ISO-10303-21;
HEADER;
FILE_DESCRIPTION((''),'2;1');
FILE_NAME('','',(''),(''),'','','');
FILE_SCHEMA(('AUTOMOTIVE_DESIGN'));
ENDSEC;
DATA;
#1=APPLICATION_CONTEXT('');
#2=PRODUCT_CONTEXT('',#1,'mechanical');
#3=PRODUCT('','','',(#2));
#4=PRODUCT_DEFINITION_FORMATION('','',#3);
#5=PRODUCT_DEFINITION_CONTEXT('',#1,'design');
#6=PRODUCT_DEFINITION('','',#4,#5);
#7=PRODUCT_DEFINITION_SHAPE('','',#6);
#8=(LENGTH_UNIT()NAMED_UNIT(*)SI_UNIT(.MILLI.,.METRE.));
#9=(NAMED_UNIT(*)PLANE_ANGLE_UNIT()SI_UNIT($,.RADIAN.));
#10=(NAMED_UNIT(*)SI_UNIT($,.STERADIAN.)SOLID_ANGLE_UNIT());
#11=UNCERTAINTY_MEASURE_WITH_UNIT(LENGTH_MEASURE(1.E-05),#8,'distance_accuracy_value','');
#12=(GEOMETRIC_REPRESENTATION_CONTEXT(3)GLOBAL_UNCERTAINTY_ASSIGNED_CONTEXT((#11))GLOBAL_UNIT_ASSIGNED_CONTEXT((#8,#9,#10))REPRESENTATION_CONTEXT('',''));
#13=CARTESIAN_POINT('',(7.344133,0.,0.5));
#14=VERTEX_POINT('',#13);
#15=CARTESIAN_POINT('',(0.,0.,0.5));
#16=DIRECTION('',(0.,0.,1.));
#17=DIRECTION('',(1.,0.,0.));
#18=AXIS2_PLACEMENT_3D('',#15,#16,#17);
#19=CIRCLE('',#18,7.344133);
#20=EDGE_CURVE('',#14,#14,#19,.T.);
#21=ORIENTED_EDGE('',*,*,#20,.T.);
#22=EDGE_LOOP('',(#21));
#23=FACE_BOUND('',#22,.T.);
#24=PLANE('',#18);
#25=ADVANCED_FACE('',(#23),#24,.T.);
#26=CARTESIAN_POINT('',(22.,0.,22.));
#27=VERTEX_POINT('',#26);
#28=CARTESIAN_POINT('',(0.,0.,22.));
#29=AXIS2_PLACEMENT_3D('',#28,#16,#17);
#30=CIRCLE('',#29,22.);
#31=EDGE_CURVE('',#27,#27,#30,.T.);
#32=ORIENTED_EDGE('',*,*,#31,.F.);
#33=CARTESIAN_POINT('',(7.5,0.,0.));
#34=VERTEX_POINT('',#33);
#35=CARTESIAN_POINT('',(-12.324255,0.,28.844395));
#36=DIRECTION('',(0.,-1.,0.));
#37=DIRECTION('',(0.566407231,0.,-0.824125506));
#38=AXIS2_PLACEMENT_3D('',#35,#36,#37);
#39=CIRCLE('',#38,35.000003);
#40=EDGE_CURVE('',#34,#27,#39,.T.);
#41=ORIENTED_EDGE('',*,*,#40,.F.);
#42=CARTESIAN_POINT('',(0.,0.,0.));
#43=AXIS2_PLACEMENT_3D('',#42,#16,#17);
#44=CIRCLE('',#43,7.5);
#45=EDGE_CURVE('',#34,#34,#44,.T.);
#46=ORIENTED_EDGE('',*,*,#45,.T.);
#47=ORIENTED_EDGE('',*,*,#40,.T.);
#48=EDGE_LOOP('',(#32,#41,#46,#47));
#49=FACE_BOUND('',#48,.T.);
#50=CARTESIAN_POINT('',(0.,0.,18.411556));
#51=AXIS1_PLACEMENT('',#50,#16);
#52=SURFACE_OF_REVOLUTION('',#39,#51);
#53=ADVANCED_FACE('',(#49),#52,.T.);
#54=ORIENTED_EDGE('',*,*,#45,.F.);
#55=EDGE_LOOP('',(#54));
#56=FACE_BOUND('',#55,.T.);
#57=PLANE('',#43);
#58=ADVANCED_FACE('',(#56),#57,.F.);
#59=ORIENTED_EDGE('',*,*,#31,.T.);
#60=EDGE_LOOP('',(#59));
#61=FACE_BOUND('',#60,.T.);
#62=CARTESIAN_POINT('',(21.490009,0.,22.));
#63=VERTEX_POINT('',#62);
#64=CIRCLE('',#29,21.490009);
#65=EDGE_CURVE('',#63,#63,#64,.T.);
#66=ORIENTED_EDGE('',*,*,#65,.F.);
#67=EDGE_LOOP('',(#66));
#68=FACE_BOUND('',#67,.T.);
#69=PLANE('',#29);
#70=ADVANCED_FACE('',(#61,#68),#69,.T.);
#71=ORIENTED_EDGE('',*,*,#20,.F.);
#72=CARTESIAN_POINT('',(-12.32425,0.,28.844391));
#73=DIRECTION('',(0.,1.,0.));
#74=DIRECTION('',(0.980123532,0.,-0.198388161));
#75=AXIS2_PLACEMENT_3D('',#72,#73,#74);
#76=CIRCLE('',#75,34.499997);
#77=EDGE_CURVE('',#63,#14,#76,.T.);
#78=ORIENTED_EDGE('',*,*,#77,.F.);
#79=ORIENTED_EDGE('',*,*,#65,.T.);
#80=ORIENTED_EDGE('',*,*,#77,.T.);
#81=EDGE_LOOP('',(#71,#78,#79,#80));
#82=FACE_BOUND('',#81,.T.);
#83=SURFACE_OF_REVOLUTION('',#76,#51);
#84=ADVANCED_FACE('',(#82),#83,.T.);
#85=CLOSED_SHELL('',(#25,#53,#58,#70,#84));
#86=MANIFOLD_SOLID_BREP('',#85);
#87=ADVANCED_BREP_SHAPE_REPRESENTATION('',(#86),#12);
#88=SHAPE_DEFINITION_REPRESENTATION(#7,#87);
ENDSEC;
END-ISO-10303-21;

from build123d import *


with BuildPart() as f1:
    # F0 (on Front) → F1 (revolve)
    with BuildSketch(Plane.XZ):
        with BuildLine():
            Line((0, 0.5), (0, 0))
            Line((0, 0), (7.5, 0))
            ThreePointArc((7.5, 0), (16.899285, 9.583426), (22, 22))
            Line((22, 22), (21.490009, 22))
            ThreePointArc((21.490009, 22), (16.496936, 9.881558), (7.344133, 0.5))
            Line((7.344133, 0.5), (0, 0.5))
        make_face()
    revolve(axis=Axis((0, 0, 18.411556), (0, 0, 1)))


solid = f1.part
